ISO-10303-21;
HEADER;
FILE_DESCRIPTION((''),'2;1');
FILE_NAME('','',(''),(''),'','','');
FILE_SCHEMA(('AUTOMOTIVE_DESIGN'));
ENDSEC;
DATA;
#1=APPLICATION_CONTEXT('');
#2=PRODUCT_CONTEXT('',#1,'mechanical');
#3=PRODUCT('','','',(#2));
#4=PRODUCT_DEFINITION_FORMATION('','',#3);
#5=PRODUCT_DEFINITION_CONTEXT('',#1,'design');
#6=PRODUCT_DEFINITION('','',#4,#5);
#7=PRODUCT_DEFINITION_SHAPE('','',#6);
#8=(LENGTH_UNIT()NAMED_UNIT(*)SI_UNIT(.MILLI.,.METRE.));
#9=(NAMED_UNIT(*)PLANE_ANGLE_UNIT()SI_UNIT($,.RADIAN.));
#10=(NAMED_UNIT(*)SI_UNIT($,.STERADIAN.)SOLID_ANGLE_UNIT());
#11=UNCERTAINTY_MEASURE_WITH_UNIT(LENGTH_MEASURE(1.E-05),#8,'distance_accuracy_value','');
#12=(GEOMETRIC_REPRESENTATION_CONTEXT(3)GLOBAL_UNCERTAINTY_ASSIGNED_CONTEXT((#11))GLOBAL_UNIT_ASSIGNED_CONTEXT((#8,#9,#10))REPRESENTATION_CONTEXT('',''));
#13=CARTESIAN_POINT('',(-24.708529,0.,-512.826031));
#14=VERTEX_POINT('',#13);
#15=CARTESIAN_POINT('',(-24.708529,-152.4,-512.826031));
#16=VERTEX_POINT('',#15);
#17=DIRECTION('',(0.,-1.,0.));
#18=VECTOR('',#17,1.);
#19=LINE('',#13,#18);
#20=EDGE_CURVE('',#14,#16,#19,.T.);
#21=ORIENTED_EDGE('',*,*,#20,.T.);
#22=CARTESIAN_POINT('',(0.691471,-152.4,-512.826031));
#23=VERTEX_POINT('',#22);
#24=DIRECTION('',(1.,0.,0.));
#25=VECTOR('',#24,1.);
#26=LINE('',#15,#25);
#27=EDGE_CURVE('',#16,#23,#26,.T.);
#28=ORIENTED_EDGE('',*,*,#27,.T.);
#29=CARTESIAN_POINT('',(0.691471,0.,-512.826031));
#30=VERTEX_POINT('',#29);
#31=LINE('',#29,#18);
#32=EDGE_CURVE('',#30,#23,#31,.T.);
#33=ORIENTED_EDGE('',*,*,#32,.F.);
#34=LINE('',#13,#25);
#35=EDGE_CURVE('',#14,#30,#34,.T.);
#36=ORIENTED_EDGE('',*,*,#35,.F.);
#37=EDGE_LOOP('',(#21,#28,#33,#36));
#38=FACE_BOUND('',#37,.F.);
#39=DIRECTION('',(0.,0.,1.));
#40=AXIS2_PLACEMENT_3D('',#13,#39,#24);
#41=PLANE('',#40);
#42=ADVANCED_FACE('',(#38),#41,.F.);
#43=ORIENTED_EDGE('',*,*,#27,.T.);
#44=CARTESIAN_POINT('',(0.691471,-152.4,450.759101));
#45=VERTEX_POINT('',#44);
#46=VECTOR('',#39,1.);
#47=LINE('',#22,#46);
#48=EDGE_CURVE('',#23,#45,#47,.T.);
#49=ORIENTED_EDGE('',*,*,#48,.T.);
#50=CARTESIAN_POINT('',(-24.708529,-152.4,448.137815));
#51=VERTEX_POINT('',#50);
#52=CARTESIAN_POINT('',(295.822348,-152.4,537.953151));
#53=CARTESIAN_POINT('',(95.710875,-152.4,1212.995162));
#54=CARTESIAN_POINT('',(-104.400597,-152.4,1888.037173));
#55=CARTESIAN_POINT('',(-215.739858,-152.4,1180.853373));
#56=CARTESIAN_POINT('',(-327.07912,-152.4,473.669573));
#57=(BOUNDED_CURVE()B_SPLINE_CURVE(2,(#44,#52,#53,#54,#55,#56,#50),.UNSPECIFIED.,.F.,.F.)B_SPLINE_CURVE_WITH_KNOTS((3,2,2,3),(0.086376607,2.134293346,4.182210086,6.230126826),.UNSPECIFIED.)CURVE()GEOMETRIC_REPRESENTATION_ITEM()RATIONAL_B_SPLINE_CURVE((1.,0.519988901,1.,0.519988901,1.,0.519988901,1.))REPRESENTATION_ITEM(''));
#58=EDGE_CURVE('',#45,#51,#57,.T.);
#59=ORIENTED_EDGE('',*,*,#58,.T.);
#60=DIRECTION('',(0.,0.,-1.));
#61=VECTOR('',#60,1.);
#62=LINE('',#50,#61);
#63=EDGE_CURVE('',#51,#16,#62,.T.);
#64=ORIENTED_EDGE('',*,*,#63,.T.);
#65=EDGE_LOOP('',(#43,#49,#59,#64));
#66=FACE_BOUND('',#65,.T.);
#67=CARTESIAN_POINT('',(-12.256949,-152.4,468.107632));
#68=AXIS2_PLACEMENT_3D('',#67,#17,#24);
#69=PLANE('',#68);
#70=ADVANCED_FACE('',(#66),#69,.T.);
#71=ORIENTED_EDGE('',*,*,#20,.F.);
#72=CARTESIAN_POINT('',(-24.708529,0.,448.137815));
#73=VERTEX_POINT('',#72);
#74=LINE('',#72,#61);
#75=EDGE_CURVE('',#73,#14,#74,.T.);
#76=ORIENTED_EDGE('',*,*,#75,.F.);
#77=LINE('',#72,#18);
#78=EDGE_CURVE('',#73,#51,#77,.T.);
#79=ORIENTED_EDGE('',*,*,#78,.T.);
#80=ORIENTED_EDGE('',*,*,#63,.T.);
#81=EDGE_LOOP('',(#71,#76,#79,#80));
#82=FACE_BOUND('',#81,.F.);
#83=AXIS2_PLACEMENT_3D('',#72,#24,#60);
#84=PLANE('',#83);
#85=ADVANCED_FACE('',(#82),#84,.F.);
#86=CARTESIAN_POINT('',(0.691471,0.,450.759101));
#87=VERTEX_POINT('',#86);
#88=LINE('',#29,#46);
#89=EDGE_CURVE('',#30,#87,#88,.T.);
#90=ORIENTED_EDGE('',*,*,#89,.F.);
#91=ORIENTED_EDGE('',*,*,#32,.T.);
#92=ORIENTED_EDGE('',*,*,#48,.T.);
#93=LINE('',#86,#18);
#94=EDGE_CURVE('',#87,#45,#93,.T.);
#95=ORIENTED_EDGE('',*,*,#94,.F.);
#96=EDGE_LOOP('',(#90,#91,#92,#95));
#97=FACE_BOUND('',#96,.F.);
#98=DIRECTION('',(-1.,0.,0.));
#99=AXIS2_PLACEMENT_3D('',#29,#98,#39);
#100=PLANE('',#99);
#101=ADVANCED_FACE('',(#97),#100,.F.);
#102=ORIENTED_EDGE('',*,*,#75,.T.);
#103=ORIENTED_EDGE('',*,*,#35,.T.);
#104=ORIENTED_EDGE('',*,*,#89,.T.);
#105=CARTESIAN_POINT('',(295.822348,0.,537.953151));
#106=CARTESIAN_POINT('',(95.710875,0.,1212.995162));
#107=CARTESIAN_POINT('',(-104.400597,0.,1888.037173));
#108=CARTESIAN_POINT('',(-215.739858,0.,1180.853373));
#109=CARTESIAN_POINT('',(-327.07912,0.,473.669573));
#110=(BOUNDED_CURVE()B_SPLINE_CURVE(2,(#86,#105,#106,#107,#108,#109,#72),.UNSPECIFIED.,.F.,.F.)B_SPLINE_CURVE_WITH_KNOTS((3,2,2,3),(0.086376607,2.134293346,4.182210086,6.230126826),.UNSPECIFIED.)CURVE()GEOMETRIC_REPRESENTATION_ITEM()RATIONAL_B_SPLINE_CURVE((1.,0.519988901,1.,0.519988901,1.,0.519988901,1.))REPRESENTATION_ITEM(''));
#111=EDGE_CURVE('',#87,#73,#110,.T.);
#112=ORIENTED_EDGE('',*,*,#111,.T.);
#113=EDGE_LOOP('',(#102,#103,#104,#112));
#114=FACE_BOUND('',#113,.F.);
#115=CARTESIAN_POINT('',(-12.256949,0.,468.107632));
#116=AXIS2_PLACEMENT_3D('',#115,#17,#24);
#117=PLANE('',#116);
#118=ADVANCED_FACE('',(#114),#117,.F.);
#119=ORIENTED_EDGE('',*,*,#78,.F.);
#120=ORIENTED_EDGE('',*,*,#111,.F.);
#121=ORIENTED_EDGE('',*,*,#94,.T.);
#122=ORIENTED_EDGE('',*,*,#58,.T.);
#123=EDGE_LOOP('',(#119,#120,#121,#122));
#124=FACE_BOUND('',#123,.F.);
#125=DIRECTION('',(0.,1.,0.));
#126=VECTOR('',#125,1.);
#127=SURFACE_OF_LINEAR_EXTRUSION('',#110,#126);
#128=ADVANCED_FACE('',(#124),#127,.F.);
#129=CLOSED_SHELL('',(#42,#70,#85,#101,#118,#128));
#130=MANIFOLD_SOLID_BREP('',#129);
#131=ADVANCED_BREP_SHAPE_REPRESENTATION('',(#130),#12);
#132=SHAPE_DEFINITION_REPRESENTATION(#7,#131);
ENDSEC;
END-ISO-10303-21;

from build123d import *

# Parameters (mm, degrees)
F1_DEPTH = 152.4


with BuildPart() as f1:
    # F0 (on Front) → F1 (new body)
    with BuildSketch(Plane.XZ):
        with BuildLine():
            Line((0.6914708489, 450.7591008223), (0.6914708489, 487.1739689261))
            Line((0.6914708489, 487.1739689261), (-24.7085291511, 487.1739689261))
            Line((-24.7085291511, 487.1739689261), (-24.7085291511, 448.1378148394))
            add(Edge.make_bspline(
                [(-24.7085291511, 448.1378148394), (-19.824092298, 447.7253796921), (-14.9730658159, 448.0068385601)],
                knots=[6.2301268255, 6.2301268255, 6.2301268255, 6.2831853072, 6.2831853072, 6.2831853072], degree=2, weights=[1, 0.9996481203, 1]))
            add(Edge.make_bspline(
                [(-14.9730658159, 448.0068385601), (-7.072772778, 448.4652173267), (0.6914708489, 450.7591008223)],
                knots=[0, 0, 0, 0.0863766066, 0.0863766066, 0.0863766066], degree=2, weights=[1, 0.9990675302, 1]))
        make_face()
        with BuildLine():
            Line((-24.7085291511, 487.1739689261), (0.6914708489, 487.1739689261))
            Line((0.6914708489, 487.1739689261), (0.6914708489, 450.7591008223))
            add(Edge.make_bspline(
                [(0.6914708489, 450.7591008223), (295.8223477918, 537.953150905), (95.7108753392, 1212.9951620942), (-104.4005971134, 1888.0371732834), (-215.7398584811, 1180.8533730028), (-327.0791198488, 473.6695727222), (-24.7085291511, 448.1378148394)],
                knots=[0.0863766066, 0.0863766066, 0.0863766066, 2.1342933462, 2.1342933462, 4.1822100859, 4.1822100859, 6.2301268255, 6.2301268255, 6.2301268255], degree=2, weights=[1, 0.5199889012, 1, 0.5199889012, 1, 0.5199889012, 1]))
            Line((-24.7085291511, 448.1378148394), (-24.7085291511, 487.1739689261))
        make_face()
        with BuildLine():
            Line((0.6914708489, -512.8260310739), (0.6914708489, 450.7591008223))
            add(Edge.make_bspline(
                [(-14.9730658159, 448.0068385601), (-7.072772778, 448.4652173267), (0.6914708489, 450.7591008223)],
                knots=[0, 0, 0, 0.0863766066, 0.0863766066, 0.0863766066], degree=2, weights=[1, 0.9990675302, 1]))
            add(Edge.make_bspline(
                [(-24.7085291511, 448.1378148394), (-19.824092298, 447.7253796921), (-14.9730658159, 448.0068385601)],
                knots=[6.2301268255, 6.2301268255, 6.2301268255, 6.2831853072, 6.2831853072, 6.2831853072], degree=2, weights=[1, 0.9996481203, 1]))
            Line((-24.7085291511, 448.1378148394), (-24.7085291511, -512.8260310739))
            Line((-24.7085291511, -512.8260310739), (0.6914708489, -512.8260310739))
        make_face()
    extrude(amount=F1_DEPTH)


solid = f1.part
